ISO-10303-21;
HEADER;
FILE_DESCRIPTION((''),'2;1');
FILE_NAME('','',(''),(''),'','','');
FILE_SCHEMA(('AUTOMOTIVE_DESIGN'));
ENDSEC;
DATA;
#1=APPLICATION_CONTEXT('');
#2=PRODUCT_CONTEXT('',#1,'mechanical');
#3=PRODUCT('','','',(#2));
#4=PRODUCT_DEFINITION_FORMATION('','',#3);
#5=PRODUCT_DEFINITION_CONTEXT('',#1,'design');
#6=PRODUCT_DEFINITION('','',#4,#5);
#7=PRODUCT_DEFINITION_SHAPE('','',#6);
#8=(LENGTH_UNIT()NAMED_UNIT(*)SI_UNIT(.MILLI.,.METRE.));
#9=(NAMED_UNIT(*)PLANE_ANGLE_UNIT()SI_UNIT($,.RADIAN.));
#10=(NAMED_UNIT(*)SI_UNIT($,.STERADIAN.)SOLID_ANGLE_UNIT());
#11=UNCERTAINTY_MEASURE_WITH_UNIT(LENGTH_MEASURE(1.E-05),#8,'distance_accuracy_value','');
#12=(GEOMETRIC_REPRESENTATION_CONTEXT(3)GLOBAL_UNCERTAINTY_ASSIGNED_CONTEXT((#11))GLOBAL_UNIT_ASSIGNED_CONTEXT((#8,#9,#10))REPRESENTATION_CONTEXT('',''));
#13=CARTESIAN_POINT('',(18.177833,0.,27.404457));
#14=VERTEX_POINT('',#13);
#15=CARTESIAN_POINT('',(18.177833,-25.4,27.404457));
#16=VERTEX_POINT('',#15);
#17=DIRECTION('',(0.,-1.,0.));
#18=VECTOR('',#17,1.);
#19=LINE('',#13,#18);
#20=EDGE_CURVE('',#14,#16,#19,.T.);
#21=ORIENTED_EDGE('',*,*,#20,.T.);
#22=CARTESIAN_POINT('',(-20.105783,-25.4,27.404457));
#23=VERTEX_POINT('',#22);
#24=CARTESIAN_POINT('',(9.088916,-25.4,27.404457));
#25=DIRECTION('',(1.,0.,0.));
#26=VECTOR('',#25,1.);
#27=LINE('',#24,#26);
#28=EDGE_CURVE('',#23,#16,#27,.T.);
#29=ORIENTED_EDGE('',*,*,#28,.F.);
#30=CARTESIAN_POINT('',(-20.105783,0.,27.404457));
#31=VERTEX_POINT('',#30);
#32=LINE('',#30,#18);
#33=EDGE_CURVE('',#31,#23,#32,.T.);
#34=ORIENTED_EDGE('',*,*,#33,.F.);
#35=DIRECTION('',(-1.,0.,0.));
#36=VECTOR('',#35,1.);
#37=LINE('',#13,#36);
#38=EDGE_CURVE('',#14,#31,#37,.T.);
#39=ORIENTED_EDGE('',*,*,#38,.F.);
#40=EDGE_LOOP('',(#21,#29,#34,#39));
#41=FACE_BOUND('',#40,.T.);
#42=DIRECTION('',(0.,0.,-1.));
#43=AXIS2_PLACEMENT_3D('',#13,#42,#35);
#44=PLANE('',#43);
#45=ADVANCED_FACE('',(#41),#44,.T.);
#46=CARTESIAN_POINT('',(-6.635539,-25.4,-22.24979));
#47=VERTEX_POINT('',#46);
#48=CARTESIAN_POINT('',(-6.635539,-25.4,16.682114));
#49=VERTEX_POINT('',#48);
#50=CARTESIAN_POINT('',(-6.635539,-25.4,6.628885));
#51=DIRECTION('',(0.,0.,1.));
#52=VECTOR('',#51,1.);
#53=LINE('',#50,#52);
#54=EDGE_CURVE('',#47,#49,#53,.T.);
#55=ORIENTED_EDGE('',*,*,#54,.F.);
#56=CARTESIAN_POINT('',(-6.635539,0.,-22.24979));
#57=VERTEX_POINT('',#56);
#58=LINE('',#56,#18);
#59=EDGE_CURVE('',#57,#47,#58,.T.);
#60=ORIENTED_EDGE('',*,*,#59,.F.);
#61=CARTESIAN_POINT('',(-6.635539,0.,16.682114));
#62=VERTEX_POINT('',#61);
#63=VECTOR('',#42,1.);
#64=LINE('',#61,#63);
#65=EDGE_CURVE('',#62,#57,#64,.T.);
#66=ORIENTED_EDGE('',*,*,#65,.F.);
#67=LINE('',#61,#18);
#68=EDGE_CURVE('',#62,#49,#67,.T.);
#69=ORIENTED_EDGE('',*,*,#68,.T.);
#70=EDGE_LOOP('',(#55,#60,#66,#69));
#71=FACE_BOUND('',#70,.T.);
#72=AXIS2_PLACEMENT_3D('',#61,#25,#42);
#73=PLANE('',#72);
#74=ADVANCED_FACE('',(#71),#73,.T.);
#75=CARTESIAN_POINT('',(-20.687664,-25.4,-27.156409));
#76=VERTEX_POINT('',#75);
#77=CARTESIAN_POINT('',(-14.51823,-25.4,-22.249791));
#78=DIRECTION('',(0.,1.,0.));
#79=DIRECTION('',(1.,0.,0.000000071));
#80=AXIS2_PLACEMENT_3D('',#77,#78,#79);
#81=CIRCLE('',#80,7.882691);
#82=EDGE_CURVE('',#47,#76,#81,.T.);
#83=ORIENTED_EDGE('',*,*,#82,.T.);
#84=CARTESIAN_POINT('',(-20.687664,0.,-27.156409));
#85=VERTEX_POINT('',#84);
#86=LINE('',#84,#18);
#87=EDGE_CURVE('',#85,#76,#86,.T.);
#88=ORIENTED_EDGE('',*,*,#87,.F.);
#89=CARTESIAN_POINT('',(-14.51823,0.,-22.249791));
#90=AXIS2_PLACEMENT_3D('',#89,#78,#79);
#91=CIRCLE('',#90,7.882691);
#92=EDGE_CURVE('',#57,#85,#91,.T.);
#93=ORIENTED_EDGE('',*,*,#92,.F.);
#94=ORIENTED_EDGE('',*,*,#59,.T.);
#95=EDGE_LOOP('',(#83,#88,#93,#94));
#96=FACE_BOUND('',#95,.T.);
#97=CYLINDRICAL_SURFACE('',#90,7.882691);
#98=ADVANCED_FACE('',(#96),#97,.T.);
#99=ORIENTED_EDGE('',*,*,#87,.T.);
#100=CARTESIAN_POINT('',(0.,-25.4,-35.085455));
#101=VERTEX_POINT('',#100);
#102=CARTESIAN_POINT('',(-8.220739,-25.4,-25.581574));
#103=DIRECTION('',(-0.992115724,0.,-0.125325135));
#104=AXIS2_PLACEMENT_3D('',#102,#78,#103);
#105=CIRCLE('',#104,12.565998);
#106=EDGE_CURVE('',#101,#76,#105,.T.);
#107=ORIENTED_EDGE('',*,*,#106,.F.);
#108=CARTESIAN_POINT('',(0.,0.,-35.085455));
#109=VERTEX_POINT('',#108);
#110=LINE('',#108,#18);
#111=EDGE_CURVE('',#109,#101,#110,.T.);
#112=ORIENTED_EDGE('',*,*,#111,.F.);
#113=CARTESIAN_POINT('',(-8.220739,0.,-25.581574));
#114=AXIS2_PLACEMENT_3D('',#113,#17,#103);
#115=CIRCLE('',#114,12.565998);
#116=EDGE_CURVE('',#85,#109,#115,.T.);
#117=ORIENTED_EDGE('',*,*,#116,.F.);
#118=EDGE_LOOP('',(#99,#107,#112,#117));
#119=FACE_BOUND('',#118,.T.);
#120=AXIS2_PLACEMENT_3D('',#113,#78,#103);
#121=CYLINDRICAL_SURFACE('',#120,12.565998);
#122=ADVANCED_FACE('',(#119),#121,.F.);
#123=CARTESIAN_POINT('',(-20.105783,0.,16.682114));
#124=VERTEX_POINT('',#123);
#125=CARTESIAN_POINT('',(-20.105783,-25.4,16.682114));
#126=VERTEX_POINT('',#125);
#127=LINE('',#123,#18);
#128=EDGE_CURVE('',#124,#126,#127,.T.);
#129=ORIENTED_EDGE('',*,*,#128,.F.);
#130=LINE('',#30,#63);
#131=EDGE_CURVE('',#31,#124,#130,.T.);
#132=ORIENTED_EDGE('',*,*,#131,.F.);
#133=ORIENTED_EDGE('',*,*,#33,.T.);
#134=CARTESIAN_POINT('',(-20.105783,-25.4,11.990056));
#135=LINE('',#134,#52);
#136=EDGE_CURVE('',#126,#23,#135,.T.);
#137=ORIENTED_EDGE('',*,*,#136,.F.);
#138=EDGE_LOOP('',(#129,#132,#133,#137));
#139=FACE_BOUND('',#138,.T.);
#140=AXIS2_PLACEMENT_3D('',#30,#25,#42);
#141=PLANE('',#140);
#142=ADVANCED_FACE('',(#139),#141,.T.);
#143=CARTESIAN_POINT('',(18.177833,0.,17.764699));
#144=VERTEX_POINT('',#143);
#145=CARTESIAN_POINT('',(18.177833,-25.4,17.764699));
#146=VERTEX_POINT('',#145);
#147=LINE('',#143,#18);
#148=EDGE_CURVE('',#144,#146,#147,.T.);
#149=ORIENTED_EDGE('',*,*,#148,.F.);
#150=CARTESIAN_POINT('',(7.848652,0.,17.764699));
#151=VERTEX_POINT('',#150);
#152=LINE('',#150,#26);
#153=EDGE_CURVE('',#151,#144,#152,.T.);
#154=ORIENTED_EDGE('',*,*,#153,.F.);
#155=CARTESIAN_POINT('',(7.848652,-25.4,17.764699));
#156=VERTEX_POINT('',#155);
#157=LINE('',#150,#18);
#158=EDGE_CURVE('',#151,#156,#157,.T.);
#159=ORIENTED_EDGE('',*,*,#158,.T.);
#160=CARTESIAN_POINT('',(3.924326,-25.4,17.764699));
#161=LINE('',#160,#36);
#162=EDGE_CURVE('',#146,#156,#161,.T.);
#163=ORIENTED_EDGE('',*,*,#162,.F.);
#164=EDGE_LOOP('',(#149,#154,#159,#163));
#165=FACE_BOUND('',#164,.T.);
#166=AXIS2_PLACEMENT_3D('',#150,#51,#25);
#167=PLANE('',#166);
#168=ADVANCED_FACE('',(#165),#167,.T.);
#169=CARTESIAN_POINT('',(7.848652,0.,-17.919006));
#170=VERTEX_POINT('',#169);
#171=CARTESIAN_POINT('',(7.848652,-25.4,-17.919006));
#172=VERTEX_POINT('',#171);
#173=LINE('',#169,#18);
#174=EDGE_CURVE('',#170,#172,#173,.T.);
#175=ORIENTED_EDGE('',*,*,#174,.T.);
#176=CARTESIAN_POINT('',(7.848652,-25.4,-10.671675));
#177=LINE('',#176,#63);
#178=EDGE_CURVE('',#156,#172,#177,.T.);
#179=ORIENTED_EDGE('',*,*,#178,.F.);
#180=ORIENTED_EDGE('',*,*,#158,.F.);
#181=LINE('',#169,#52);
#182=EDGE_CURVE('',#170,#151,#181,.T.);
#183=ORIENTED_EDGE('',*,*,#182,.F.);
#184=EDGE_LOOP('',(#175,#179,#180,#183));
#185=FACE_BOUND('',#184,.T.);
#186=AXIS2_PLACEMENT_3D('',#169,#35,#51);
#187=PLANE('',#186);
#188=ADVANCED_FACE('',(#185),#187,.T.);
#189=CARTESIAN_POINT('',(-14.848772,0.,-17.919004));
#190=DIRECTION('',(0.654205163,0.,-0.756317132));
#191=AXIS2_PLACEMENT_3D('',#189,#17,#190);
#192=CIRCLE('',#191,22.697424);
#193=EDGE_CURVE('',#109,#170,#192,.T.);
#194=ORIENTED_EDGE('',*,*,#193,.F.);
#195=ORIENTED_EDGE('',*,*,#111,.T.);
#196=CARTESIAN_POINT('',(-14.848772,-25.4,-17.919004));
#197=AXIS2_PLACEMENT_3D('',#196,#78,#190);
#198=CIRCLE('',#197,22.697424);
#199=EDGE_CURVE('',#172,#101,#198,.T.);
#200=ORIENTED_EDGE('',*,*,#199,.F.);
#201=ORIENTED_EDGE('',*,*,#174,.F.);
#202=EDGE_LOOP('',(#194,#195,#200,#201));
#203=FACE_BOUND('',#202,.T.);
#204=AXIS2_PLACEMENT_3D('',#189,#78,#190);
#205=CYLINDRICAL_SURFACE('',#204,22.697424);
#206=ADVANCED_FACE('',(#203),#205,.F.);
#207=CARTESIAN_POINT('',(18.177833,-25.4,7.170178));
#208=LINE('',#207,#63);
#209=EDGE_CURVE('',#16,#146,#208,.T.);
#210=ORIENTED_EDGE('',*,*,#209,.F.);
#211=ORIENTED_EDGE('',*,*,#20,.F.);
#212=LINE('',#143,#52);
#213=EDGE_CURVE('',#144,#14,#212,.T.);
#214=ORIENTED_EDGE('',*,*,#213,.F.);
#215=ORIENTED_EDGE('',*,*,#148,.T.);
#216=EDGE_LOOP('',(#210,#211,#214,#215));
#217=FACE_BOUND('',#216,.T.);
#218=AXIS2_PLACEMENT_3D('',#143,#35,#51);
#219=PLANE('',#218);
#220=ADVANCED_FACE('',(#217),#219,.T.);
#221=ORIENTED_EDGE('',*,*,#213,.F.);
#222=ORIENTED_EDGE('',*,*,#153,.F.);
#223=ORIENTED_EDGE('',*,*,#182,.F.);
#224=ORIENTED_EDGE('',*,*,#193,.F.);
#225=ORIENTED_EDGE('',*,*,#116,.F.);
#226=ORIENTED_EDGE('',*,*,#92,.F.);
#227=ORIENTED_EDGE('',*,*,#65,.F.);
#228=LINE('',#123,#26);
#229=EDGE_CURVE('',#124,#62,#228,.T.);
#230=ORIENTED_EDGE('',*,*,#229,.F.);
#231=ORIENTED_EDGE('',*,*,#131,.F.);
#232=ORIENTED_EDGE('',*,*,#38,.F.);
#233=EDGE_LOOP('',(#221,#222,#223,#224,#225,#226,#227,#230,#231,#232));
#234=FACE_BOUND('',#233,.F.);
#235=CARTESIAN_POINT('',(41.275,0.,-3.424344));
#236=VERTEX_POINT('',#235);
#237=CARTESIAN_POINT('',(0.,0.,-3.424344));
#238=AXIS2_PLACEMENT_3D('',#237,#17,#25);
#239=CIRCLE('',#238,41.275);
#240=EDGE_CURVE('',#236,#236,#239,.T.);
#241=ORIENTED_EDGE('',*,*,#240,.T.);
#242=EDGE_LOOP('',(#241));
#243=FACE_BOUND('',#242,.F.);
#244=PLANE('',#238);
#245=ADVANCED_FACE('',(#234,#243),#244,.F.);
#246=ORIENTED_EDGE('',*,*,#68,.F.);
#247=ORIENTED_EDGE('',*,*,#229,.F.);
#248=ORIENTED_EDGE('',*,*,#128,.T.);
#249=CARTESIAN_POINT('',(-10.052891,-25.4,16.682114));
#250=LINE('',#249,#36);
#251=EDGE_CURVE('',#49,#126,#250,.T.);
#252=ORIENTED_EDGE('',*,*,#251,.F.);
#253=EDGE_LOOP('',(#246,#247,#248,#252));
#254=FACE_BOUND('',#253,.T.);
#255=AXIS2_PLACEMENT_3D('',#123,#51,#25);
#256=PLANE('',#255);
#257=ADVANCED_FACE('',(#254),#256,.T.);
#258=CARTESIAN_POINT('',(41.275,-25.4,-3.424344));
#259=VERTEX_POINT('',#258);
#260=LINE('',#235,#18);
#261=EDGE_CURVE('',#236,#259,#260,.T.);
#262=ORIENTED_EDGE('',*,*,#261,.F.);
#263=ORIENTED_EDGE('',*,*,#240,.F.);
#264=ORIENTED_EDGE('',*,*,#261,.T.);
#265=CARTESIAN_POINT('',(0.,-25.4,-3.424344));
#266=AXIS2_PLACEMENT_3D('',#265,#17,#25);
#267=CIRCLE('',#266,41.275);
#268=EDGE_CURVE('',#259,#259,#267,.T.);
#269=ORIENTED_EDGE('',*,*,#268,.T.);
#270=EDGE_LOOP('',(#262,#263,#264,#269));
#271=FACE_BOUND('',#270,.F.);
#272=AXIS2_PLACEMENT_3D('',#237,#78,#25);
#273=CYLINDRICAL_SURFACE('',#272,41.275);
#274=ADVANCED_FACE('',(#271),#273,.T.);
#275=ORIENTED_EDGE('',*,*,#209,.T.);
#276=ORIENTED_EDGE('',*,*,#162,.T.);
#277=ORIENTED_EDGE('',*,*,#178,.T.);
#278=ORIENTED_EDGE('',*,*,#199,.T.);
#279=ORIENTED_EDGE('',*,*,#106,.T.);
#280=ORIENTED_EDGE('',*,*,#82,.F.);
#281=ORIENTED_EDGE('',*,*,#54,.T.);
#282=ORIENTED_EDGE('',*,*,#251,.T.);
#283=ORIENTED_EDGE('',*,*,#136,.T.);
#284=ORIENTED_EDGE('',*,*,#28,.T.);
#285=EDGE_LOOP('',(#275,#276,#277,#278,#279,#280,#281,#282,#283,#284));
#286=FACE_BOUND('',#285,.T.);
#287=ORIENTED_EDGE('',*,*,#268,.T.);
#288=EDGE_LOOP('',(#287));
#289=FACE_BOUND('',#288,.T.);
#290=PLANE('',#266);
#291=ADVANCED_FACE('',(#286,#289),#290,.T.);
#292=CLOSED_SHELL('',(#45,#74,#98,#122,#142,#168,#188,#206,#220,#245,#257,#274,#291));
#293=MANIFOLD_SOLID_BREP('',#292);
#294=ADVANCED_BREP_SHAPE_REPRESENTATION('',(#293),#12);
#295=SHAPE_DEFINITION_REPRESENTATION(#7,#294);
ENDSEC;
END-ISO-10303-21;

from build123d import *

# Parameters (mm, degrees)
F0_R     = 41.275
F1_DEPTH = 25.4
F3_DEPTH = 25.401


with BuildPart() as f1:
    # F0 (on Front) → F1 (new body)
    with BuildSketch(Plane.XZ):
        with Locations((0, -3.424344)):
            Circle(F0_R)
    extrude(amount=F1_DEPTH)

    # F2 (on Front) → F3 (cut, through all)
    with BuildSketch(Plane.XZ):
        with BuildLine():
            Line((18.177833, 27.404457), (-20.105783, 27.404457))
            Line((-20.105783, 27.404457), (-20.105783, 20.794338))
            Line((-20.105783, 20.794338), (-20.105783, 18.795565))
            Line((-20.105783, 18.795565), (-20.105783, 16.682114))
            Line((-20.105783, 16.682114), (-6.635539, 16.682114))
            Line((-6.635539, 16.682114), (-6.635539, 0))
            Line((-6.635539, 0), (-6.635539, -10.14046))
            Line((-6.635539, -10.14046), (-6.635539, -22.24979))
            ThreePointArc((-6.635539, -22.24979), (-11.919665, -29.691852), (-20.687664, -27.156409))
            ThreePointArc((-20.687664, -27.156409), (-12.717957, -37.315258), (0, -35.085455))
            ThreePointArc((0, -35.085455), (5.793441, -27.356806), (7.848652, -17.919006))
            Line((7.848652, -17.919006), (7.848652, 0))
            Line((7.848652, 0), (7.848652, 17.764699))
            Line((7.848652, 17.764699), (18.177833, 17.764699))
            Line((18.177833, 17.764699), (18.177833, 27.404457))
        make_face()
    extrude(amount=F3_DEPTH, mode=Mode.SUBTRACT)


solid = f1.part
